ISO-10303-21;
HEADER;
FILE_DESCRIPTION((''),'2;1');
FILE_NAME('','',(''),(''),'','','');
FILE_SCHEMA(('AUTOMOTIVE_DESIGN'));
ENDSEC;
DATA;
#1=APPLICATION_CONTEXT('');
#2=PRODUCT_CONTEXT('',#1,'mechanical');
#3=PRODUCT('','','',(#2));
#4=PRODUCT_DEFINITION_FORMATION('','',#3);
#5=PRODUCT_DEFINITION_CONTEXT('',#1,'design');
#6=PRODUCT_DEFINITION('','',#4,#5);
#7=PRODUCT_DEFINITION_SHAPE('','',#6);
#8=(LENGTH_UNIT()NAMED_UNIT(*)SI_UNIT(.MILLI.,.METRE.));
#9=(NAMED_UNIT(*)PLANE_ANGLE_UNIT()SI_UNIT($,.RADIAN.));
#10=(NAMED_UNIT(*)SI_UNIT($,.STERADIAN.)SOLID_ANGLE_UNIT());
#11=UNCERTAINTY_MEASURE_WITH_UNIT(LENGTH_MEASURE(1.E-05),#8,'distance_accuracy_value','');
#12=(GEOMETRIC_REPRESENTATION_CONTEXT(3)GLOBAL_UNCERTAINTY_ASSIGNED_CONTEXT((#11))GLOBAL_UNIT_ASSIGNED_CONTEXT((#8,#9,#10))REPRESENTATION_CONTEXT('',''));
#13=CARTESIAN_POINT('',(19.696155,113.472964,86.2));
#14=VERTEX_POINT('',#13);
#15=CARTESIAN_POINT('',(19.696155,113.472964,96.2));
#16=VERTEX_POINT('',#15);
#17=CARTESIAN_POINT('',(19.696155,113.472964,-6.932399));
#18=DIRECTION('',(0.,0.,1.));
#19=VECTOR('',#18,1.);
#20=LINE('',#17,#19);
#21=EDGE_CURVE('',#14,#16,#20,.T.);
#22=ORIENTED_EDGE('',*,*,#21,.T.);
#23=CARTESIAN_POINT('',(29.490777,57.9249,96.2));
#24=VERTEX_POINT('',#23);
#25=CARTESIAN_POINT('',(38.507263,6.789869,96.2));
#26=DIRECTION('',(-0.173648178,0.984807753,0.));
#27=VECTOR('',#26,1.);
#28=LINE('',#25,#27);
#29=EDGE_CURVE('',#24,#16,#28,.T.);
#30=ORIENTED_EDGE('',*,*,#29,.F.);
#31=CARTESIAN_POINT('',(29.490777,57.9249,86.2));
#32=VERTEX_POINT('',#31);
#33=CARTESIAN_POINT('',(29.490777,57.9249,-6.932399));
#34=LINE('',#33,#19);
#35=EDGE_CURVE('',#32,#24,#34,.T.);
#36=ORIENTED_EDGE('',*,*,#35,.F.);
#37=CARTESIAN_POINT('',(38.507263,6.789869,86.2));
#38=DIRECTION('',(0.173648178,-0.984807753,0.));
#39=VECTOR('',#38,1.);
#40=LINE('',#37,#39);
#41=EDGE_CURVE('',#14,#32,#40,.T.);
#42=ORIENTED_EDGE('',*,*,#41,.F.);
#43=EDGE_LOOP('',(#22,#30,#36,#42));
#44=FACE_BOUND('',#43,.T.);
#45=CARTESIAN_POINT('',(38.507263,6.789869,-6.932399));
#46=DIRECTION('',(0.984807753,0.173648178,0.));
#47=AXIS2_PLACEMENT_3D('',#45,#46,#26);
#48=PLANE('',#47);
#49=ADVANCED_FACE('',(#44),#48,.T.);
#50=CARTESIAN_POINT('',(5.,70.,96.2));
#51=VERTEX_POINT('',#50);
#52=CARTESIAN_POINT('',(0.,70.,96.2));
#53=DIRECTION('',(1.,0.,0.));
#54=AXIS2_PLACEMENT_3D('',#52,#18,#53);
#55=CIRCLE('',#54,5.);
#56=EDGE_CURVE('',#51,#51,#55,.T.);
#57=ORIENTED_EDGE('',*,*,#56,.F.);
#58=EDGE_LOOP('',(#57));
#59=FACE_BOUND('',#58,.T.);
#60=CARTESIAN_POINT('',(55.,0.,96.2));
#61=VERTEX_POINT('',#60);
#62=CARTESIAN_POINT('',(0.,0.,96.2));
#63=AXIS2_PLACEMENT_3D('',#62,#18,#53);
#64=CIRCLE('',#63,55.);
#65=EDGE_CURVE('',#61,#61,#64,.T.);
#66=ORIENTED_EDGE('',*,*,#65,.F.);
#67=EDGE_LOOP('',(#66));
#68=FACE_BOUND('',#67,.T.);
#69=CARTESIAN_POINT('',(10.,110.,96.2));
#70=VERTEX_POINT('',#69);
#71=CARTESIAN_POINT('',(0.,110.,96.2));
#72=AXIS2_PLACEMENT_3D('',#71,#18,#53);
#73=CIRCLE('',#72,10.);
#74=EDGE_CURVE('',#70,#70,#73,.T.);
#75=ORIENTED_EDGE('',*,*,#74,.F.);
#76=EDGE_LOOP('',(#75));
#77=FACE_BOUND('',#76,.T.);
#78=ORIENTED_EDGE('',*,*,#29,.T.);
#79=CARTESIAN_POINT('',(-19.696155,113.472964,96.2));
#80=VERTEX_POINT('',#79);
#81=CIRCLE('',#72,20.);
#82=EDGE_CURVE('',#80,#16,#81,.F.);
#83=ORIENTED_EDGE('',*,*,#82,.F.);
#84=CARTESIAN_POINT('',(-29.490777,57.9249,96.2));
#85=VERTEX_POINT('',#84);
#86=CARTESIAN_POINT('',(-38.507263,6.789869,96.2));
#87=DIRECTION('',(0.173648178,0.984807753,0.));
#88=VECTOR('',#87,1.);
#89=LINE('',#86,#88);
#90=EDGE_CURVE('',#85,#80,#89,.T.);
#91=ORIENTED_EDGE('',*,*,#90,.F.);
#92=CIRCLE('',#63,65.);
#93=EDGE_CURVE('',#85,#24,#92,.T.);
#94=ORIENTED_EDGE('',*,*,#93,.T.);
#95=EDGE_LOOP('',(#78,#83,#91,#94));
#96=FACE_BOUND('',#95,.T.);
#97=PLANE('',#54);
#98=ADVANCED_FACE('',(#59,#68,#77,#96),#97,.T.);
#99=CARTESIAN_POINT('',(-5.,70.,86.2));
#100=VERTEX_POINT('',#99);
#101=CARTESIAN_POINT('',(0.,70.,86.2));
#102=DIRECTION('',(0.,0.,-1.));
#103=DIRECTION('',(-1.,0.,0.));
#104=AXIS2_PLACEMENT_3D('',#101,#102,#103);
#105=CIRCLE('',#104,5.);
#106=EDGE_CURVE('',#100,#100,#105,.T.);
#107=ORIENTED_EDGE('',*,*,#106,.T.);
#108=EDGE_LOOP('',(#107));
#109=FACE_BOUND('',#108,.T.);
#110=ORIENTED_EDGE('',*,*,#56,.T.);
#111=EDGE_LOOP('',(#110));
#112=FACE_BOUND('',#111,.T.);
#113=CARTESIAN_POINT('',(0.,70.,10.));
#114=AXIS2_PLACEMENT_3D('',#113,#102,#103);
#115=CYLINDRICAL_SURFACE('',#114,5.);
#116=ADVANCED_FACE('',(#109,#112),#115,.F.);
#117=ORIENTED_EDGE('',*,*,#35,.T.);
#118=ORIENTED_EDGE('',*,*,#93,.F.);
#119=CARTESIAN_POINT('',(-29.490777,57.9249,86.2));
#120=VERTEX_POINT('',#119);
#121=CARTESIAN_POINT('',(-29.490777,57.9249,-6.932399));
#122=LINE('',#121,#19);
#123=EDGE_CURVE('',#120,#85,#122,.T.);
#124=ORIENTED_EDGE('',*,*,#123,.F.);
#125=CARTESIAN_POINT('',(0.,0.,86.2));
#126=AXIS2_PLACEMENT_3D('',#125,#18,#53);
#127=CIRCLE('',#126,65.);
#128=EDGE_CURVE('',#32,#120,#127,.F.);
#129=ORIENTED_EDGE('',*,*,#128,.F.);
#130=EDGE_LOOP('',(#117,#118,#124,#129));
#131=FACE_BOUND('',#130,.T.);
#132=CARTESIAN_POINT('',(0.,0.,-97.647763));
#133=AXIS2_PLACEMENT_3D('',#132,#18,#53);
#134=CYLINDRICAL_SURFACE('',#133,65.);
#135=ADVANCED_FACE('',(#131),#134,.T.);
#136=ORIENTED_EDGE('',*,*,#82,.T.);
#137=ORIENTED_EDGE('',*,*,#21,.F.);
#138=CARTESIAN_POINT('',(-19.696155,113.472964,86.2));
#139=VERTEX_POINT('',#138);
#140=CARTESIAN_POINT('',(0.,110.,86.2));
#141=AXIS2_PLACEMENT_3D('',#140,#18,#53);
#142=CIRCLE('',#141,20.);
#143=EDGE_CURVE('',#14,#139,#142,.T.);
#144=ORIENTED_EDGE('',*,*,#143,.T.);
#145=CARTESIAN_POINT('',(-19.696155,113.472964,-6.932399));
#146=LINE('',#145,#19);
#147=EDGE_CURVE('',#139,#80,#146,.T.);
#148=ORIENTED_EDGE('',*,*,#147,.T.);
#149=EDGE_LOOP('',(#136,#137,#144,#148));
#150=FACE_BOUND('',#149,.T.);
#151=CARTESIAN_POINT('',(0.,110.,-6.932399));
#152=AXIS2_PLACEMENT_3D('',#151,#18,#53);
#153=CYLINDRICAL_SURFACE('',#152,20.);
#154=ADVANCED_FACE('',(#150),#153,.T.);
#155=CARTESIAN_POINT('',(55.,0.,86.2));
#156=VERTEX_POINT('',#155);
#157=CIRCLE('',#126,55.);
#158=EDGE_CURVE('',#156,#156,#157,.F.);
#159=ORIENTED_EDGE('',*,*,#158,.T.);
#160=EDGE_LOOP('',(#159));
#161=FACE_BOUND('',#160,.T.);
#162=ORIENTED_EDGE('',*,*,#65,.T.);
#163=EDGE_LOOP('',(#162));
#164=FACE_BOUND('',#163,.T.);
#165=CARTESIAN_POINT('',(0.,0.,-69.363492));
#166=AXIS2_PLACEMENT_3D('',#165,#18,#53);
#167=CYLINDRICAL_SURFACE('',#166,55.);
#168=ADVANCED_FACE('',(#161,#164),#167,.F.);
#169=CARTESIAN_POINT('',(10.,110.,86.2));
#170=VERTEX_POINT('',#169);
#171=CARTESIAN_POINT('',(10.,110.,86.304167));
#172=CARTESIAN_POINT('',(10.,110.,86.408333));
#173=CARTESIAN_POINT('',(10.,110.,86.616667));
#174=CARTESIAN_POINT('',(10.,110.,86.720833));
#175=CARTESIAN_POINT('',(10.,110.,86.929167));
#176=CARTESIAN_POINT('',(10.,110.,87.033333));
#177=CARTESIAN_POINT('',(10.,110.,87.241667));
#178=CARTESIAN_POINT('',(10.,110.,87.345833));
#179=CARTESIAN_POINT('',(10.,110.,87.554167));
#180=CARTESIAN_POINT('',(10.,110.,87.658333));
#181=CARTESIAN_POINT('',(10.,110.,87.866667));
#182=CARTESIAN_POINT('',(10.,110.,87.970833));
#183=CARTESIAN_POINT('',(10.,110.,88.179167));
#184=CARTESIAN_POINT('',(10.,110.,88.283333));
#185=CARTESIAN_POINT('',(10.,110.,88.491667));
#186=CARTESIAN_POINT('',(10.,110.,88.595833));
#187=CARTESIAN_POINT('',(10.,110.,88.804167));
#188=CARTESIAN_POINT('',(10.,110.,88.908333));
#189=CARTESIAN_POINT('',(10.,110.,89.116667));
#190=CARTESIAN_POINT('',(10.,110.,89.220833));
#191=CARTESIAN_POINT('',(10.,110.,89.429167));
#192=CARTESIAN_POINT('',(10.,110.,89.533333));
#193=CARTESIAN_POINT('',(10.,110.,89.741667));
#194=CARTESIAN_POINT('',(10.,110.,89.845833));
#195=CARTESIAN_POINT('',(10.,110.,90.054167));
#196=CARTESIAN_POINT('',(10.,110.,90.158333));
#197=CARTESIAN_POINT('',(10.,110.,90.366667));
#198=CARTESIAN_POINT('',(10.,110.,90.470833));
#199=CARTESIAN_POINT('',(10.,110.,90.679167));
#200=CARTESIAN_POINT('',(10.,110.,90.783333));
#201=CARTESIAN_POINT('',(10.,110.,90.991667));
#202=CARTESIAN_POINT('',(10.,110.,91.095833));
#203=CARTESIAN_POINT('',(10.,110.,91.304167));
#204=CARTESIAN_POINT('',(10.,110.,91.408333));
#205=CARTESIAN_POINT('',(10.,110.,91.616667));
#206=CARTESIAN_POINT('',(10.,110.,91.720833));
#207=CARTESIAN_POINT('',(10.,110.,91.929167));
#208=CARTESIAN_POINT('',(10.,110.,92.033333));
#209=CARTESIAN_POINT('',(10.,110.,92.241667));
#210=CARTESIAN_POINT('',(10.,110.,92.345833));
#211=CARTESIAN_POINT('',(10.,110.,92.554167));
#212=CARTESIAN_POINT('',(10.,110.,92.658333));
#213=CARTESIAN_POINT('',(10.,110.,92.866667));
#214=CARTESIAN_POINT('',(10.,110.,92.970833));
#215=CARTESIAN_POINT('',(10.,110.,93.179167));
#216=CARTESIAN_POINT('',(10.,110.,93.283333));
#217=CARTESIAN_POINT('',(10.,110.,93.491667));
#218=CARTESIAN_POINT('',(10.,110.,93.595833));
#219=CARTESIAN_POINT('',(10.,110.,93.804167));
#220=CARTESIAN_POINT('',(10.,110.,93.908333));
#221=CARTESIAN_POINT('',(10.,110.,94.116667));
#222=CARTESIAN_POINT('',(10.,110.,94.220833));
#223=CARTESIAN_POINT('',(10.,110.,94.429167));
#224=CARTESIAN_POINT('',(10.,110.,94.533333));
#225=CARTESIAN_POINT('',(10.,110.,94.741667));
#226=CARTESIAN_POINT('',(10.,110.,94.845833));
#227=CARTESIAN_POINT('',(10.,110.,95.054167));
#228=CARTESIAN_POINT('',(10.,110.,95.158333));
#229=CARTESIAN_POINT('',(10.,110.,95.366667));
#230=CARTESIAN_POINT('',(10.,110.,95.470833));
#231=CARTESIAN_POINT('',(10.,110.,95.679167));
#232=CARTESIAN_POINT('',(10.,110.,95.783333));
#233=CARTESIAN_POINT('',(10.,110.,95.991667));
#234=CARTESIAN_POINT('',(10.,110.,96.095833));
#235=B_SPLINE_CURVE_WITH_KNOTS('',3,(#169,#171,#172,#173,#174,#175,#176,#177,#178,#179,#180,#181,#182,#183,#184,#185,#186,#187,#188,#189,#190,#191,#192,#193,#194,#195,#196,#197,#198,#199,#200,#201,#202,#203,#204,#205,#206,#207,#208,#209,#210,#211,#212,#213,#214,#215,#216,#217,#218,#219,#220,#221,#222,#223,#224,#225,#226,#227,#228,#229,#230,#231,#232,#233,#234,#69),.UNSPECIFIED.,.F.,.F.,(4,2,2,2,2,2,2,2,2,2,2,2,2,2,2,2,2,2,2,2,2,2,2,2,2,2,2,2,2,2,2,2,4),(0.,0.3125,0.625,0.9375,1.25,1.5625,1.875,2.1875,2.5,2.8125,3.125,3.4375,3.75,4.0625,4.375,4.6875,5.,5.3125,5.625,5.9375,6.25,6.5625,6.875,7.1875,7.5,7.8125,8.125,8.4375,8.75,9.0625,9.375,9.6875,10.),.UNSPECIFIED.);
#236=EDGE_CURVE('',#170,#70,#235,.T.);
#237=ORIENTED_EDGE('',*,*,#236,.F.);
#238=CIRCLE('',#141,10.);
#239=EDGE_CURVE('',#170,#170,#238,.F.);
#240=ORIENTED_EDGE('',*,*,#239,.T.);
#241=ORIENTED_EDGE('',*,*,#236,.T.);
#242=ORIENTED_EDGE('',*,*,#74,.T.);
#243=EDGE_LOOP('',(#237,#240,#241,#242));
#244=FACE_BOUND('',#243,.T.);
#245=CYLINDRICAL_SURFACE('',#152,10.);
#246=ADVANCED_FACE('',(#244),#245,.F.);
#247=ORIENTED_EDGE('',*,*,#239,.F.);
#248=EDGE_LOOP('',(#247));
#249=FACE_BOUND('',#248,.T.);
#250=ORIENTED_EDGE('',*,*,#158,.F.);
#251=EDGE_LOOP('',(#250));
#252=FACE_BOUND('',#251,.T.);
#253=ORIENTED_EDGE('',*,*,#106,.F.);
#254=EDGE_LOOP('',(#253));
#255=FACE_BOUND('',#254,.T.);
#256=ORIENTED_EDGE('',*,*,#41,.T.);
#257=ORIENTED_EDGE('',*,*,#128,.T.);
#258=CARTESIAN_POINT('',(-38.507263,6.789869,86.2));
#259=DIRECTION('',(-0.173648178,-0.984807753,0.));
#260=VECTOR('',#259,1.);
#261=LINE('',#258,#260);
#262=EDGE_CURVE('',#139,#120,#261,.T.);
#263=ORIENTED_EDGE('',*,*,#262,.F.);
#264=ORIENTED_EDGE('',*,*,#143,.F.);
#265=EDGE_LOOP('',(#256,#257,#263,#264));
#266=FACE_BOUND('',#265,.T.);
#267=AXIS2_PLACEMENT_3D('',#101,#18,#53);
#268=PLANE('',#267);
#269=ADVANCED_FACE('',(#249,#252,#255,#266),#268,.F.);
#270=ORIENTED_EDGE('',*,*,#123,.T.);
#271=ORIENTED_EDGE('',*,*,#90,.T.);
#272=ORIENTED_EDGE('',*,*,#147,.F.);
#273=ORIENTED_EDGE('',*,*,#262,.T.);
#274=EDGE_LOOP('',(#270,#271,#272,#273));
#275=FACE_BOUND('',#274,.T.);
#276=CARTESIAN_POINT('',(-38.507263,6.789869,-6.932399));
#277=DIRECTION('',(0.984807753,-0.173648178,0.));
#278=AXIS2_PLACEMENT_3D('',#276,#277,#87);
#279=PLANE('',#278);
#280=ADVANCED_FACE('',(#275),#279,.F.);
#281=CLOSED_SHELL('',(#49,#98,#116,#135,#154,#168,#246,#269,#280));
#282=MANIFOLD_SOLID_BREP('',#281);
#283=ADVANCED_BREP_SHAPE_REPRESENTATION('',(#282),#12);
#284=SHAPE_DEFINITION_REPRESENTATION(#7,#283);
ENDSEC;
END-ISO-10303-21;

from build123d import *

# Parameters (mm, degrees)
SKETCH2_R           = 5
BOSS_EXTRUDE1_DEPTH = 10
SKETCH3_R           = 10
SKETCH3_R_2         = 5
BOSS_EXTRUDE2_DEPTH = 76.2
BOSS_EXTRUDE3_START = 86.2
SKETCH2_2_R         = 5
BOSS_EXTRUDE3_DEPTH = 10
SKETCH5_R           = 65
BOSS_EXTRUDE4_DEPTH = 10
SKETCH6_R           = 55
CUT_EXTRUDE1_DEPTH  = 10
SKETCH7_R           = 80
CUT_EXTRUDE2_DEPTH  = 135.370532484
SKETCH8_R           = 10
BOSS_EXTRUDE6_DEPTH = 10


with BuildPart() as part:
    # Sketch2 → Boss-Extrude1 (new body)
    with BuildSketch(Plane.XY):
        with BuildLine():
            Line((-19.794866372, 2.857142857), (-9.897433186, 71.428571429))
            ThreePointArc((-9.897433186, 71.428571429), (0, 80), (9.897433186, 71.428571429))
            Line((9.897433186, 71.428571429), (19.794866372, 2.857142857))
            ThreePointArc((19.794866372, 2.857142857), (0, -20), (-19.794866372, 2.857142857))
        make_face()
        with Locations((0, 70)):
            Circle(SKETCH2_R, mode=Mode.SUBTRACT)
        with BuildLine():
            Line((-2.5, 9.682458366), (-2.5, 12))
            Line((-2.5, 12), (2.5, 12))
            Line((2.5, 12), (2.5, 9.682458366))
            ThreePointArc((2.5, 9.682458366), (0, -10), (-2.5, 9.682458366))
        make_face(mode=Mode.SUBTRACT)
    extrude(amount=BOSS_EXTRUDE1_DEPTH)

    # Sketch3 → Boss-Extrude2 (add)
    with BuildSketch(Plane.XY.offset(10)):
        with Locations(Location((0, 70, 0), (0, 0, 171.786789298))):
            Circle(SKETCH3_R)
        with Locations((0, 70)):
            Circle(SKETCH3_R_2, mode=Mode.SUBTRACT)
    extrude(amount=BOSS_EXTRUDE2_DEPTH)

    # Sketch2<2> → Boss-Extrude3 (add)
    with BuildSketch(Plane.XY.offset(BOSS_EXTRUDE3_START)):
        with BuildLine():
            Line((-19.794866372, 2.857142857), (-9.897433186, 71.428571429))
            ThreePointArc((-9.897433186, 71.428571429), (0, 80), (9.897433186, 71.428571429))
            Line((9.897433186, 71.428571429), (19.794866372, 2.857142857))
            ThreePointArc((19.794866372, 2.857142857), (0, -20), (-19.794866372, 2.857142857))
        make_face()
        with Locations((0, 70)):
            Circle(SKETCH2_2_R, mode=Mode.SUBTRACT)
        with BuildLine():
            Line((-2.5, 9.682458366), (-2.5, 12))
            Line((-2.5, 12), (2.5, 12))
            Line((2.5, 12), (2.5, 9.682458366))
            ThreePointArc((2.5, 9.682458366), (0, -10), (-2.5, 9.682458366))
        make_face(mode=Mode.SUBTRACT)
    extrude(amount=BOSS_EXTRUDE3_DEPTH)

    # Sketch5 → Boss-Extrude4 (add)
    with BuildSketch(Plane.XY.offset(96.2)):
        Circle(SKETCH5_R)
    extrude(amount=-BOSS_EXTRUDE4_DEPTH)

    # Sketch6 → Cut-Extrude1 (cut)
    with BuildSketch(Plane.XY.offset(96.2)):
        Circle(SKETCH6_R)
    extrude(amount=-CUT_EXTRUDE1_DEPTH, mode=Mode.SUBTRACT)

    # Sketch7 → Cut-Extrude2 (cut, through all)
    with BuildSketch(Plane(origin=(0, 0, 86.2), x_dir=(-1, 0, 0), z_dir=(0, 0, -1))):
        Circle(SKETCH7_R)
    extrude(amount=CUT_EXTRUDE2_DEPTH, mode=Mode.SUBTRACT)

    # Sketch8 → Boss-Extrude6 (add)
    with BuildSketch(Plane.XY.offset(96.2)):
        with BuildLine():
            Line((-19.69615506, 113.472963553), (-29.490777376, 57.924900084))
            ThreePointArc((-29.490777376, 57.924900084), (-20.457217444, 61.696857736), (-10.959640032, 64.06938653))
            Line((-10.959640032, 64.06938653), (-9.897433186, 71.428571429))
            ThreePointArc((-9.897433186, 71.428571429), (0, 80), (9.897433186, 71.428571429))
            Line((9.897433186, 71.428571429), (10.959640032, 64.06938653))
            ThreePointArc((10.959640032, 64.06938653), (20.457217444, 61.696857736), (29.490777376, 57.924900084))
            Line((29.490777376, 57.924900084), (19.69615506, 113.472963553))
            ThreePointArc((19.69615506, 113.472963553), (0, 130), (-19.69615506, 113.472963553))
        make_face()
        with Locations((0, 110)):
            Circle(SKETCH8_R, mode=Mode.SUBTRACT)
    extrude(amount=-BOSS_EXTRUDE6_DEPTH)


solid = part.part
